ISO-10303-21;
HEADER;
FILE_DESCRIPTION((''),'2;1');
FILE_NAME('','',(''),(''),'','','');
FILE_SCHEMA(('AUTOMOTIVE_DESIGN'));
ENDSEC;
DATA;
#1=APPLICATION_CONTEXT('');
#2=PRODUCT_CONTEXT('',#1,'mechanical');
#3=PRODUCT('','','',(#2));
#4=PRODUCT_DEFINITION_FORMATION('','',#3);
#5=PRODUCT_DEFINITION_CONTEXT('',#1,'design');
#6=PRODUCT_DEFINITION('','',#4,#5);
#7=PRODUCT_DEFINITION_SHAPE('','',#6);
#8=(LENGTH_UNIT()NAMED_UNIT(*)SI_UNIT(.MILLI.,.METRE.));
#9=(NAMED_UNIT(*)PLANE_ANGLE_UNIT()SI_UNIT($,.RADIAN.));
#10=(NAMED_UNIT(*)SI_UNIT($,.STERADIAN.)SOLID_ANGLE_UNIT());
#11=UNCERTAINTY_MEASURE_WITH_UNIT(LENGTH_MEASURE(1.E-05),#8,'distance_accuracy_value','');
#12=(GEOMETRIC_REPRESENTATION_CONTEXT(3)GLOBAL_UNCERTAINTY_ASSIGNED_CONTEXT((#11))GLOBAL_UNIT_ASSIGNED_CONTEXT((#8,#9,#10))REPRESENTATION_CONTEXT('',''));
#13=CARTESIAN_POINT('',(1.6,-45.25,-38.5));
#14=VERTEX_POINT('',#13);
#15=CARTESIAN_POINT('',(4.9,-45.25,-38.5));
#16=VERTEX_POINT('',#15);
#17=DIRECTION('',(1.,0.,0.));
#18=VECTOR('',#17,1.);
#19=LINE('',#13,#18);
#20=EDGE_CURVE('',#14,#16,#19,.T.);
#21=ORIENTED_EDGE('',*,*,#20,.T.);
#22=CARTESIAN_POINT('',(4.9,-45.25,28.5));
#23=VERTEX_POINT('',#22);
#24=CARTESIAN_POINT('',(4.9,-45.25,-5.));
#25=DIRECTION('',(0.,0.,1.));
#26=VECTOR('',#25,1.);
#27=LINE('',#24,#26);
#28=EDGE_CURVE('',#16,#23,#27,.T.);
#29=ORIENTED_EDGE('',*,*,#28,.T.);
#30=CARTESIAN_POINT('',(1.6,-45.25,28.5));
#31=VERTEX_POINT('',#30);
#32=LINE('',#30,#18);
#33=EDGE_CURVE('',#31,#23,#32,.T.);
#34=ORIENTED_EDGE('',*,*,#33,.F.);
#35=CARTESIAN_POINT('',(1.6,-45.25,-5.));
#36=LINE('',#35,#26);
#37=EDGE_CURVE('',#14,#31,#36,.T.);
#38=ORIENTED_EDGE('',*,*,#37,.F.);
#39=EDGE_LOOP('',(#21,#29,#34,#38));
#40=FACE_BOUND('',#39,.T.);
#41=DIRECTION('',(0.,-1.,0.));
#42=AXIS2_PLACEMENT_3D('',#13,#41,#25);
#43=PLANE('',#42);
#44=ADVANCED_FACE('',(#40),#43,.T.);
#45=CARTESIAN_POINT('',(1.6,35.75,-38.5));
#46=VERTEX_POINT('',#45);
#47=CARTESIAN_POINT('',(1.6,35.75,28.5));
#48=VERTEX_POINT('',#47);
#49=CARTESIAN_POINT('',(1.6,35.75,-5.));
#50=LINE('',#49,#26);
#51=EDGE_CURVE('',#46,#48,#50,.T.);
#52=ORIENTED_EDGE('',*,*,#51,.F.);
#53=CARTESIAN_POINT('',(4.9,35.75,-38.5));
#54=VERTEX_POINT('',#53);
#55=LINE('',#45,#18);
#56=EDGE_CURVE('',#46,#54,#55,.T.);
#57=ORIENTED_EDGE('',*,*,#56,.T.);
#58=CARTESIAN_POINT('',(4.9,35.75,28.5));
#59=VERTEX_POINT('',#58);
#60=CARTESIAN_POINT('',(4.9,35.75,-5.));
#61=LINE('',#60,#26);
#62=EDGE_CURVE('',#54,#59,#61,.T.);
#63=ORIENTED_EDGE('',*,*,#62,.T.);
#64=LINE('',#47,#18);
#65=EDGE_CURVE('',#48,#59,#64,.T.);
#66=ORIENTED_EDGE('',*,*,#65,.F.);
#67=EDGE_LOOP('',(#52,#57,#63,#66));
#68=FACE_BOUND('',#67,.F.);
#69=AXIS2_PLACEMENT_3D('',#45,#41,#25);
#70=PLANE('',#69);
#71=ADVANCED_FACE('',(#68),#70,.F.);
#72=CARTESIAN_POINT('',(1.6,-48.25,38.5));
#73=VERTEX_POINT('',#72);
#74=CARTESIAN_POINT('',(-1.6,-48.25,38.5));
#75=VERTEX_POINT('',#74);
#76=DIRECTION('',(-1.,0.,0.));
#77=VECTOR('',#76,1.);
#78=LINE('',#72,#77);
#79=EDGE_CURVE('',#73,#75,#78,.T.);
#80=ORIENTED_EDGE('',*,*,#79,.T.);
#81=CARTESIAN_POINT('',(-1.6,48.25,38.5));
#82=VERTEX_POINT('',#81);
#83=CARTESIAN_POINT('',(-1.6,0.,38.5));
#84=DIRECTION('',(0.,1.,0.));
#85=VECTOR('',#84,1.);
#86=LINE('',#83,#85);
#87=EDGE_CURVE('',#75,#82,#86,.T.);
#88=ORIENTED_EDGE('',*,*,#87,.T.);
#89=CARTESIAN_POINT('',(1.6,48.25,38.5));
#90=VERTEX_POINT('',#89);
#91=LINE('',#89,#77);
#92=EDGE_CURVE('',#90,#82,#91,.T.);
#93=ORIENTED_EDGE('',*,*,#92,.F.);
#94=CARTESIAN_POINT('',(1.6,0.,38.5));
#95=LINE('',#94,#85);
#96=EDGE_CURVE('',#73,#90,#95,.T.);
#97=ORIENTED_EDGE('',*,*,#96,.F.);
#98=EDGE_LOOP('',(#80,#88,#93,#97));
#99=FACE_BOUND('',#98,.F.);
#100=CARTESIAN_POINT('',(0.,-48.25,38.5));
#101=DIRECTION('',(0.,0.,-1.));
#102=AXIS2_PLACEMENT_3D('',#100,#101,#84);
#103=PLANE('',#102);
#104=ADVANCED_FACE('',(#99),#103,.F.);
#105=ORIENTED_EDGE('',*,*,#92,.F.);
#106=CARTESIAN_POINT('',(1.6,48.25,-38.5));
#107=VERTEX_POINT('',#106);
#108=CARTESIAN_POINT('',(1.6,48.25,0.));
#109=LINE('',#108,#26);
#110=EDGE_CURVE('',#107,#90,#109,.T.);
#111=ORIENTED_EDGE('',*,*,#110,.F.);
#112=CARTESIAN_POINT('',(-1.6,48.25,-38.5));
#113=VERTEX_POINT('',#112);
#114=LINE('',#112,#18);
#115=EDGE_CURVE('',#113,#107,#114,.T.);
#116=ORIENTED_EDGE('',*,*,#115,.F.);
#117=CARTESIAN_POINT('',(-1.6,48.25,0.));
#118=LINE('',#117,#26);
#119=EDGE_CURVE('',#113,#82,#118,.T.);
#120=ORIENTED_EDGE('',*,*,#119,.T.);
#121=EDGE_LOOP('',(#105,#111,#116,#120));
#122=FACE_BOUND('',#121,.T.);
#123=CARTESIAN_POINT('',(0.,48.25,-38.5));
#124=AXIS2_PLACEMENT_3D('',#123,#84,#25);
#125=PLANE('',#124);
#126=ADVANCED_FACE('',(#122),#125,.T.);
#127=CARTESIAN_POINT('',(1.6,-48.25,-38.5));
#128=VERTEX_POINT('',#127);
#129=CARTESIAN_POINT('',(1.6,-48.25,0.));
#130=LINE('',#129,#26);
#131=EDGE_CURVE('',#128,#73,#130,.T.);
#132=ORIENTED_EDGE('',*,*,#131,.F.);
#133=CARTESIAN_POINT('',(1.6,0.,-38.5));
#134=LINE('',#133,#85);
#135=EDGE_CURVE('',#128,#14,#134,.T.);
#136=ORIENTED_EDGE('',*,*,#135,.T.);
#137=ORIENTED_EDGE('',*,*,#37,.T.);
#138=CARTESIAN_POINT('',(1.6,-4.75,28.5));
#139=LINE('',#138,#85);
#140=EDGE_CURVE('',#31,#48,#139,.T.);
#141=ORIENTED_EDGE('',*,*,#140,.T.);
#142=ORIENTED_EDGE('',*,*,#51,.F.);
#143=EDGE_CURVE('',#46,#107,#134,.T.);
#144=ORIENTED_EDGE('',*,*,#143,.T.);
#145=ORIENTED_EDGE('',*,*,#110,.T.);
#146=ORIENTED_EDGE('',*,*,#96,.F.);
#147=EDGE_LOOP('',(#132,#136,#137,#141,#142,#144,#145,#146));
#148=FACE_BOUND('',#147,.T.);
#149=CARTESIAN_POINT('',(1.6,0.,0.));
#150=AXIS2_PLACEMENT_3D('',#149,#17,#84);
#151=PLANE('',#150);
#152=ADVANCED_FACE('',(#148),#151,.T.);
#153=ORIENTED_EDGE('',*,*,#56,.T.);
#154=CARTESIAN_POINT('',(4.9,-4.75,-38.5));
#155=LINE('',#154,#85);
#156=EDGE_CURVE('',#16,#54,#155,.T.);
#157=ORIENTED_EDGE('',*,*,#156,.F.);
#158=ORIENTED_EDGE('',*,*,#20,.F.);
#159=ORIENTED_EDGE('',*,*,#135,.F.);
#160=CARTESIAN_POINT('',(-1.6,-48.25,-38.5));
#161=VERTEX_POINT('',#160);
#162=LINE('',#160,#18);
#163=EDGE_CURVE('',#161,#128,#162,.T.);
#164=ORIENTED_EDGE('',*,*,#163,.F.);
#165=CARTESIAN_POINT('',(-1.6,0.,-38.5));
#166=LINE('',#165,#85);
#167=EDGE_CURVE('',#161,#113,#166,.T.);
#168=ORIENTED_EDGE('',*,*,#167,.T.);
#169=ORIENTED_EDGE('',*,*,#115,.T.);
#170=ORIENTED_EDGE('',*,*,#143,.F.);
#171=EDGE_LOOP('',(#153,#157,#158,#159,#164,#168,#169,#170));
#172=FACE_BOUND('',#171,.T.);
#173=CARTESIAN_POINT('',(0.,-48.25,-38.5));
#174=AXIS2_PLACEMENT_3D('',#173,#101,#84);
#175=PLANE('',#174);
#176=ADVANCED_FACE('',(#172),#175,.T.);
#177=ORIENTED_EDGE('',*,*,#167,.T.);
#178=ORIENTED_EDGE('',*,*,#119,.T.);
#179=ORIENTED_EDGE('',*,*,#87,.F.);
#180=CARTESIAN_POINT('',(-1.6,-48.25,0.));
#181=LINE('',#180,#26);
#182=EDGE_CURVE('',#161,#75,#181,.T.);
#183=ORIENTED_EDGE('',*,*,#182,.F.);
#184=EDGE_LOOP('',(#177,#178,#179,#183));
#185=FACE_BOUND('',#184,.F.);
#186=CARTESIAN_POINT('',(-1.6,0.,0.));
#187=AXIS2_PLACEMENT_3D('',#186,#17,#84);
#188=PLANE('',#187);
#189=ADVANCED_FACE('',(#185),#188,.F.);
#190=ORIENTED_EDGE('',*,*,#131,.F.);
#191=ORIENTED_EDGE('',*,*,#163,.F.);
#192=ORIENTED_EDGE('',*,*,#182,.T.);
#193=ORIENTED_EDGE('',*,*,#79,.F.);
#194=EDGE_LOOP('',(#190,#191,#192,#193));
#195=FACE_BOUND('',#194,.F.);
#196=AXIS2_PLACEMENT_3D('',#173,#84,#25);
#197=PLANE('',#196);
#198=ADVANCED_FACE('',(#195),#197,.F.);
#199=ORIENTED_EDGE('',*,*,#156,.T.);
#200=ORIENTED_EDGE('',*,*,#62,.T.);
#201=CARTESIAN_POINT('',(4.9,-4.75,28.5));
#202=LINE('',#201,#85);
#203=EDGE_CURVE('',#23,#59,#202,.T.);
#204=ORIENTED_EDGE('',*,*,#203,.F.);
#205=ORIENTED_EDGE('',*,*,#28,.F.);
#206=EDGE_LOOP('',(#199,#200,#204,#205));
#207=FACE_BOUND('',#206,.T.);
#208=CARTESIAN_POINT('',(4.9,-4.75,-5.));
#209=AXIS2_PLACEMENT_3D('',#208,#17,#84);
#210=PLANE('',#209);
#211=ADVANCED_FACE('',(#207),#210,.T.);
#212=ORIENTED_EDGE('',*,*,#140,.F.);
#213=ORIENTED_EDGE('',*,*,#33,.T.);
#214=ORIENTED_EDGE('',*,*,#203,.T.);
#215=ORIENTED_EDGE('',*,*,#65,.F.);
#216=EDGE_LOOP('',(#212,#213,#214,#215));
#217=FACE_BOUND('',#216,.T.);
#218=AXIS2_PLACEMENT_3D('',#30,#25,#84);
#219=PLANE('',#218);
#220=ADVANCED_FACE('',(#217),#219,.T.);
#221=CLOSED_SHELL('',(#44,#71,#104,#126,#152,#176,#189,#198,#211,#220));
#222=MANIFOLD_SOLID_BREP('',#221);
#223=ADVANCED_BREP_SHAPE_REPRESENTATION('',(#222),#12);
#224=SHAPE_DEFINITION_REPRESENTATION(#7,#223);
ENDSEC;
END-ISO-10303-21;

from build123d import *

# Parameters (mm, degrees)
F0_W     = 96.5
F0_H     = 77
F1_DEPTH = 1.6
F2_W     = 81
F2_H     = 67
F3_DEPTH = 3.3


with BuildPart() as f1:
    # F0 (on Right) → F1 (new body, symmetric)
    with BuildSketch(Plane.YZ):
        Rectangle(F0_W, F0_H)
    extrude(amount=F1_DEPTH, both=True)

    # F2 (on face) → F3 (join)
    with BuildSketch(Plane.YZ.offset(1.6)):
        with Locations((-4.75, -5)):
            Rectangle(F2_W, F2_H)
    extrude(amount=F3_DEPTH)


solid = f1.part
